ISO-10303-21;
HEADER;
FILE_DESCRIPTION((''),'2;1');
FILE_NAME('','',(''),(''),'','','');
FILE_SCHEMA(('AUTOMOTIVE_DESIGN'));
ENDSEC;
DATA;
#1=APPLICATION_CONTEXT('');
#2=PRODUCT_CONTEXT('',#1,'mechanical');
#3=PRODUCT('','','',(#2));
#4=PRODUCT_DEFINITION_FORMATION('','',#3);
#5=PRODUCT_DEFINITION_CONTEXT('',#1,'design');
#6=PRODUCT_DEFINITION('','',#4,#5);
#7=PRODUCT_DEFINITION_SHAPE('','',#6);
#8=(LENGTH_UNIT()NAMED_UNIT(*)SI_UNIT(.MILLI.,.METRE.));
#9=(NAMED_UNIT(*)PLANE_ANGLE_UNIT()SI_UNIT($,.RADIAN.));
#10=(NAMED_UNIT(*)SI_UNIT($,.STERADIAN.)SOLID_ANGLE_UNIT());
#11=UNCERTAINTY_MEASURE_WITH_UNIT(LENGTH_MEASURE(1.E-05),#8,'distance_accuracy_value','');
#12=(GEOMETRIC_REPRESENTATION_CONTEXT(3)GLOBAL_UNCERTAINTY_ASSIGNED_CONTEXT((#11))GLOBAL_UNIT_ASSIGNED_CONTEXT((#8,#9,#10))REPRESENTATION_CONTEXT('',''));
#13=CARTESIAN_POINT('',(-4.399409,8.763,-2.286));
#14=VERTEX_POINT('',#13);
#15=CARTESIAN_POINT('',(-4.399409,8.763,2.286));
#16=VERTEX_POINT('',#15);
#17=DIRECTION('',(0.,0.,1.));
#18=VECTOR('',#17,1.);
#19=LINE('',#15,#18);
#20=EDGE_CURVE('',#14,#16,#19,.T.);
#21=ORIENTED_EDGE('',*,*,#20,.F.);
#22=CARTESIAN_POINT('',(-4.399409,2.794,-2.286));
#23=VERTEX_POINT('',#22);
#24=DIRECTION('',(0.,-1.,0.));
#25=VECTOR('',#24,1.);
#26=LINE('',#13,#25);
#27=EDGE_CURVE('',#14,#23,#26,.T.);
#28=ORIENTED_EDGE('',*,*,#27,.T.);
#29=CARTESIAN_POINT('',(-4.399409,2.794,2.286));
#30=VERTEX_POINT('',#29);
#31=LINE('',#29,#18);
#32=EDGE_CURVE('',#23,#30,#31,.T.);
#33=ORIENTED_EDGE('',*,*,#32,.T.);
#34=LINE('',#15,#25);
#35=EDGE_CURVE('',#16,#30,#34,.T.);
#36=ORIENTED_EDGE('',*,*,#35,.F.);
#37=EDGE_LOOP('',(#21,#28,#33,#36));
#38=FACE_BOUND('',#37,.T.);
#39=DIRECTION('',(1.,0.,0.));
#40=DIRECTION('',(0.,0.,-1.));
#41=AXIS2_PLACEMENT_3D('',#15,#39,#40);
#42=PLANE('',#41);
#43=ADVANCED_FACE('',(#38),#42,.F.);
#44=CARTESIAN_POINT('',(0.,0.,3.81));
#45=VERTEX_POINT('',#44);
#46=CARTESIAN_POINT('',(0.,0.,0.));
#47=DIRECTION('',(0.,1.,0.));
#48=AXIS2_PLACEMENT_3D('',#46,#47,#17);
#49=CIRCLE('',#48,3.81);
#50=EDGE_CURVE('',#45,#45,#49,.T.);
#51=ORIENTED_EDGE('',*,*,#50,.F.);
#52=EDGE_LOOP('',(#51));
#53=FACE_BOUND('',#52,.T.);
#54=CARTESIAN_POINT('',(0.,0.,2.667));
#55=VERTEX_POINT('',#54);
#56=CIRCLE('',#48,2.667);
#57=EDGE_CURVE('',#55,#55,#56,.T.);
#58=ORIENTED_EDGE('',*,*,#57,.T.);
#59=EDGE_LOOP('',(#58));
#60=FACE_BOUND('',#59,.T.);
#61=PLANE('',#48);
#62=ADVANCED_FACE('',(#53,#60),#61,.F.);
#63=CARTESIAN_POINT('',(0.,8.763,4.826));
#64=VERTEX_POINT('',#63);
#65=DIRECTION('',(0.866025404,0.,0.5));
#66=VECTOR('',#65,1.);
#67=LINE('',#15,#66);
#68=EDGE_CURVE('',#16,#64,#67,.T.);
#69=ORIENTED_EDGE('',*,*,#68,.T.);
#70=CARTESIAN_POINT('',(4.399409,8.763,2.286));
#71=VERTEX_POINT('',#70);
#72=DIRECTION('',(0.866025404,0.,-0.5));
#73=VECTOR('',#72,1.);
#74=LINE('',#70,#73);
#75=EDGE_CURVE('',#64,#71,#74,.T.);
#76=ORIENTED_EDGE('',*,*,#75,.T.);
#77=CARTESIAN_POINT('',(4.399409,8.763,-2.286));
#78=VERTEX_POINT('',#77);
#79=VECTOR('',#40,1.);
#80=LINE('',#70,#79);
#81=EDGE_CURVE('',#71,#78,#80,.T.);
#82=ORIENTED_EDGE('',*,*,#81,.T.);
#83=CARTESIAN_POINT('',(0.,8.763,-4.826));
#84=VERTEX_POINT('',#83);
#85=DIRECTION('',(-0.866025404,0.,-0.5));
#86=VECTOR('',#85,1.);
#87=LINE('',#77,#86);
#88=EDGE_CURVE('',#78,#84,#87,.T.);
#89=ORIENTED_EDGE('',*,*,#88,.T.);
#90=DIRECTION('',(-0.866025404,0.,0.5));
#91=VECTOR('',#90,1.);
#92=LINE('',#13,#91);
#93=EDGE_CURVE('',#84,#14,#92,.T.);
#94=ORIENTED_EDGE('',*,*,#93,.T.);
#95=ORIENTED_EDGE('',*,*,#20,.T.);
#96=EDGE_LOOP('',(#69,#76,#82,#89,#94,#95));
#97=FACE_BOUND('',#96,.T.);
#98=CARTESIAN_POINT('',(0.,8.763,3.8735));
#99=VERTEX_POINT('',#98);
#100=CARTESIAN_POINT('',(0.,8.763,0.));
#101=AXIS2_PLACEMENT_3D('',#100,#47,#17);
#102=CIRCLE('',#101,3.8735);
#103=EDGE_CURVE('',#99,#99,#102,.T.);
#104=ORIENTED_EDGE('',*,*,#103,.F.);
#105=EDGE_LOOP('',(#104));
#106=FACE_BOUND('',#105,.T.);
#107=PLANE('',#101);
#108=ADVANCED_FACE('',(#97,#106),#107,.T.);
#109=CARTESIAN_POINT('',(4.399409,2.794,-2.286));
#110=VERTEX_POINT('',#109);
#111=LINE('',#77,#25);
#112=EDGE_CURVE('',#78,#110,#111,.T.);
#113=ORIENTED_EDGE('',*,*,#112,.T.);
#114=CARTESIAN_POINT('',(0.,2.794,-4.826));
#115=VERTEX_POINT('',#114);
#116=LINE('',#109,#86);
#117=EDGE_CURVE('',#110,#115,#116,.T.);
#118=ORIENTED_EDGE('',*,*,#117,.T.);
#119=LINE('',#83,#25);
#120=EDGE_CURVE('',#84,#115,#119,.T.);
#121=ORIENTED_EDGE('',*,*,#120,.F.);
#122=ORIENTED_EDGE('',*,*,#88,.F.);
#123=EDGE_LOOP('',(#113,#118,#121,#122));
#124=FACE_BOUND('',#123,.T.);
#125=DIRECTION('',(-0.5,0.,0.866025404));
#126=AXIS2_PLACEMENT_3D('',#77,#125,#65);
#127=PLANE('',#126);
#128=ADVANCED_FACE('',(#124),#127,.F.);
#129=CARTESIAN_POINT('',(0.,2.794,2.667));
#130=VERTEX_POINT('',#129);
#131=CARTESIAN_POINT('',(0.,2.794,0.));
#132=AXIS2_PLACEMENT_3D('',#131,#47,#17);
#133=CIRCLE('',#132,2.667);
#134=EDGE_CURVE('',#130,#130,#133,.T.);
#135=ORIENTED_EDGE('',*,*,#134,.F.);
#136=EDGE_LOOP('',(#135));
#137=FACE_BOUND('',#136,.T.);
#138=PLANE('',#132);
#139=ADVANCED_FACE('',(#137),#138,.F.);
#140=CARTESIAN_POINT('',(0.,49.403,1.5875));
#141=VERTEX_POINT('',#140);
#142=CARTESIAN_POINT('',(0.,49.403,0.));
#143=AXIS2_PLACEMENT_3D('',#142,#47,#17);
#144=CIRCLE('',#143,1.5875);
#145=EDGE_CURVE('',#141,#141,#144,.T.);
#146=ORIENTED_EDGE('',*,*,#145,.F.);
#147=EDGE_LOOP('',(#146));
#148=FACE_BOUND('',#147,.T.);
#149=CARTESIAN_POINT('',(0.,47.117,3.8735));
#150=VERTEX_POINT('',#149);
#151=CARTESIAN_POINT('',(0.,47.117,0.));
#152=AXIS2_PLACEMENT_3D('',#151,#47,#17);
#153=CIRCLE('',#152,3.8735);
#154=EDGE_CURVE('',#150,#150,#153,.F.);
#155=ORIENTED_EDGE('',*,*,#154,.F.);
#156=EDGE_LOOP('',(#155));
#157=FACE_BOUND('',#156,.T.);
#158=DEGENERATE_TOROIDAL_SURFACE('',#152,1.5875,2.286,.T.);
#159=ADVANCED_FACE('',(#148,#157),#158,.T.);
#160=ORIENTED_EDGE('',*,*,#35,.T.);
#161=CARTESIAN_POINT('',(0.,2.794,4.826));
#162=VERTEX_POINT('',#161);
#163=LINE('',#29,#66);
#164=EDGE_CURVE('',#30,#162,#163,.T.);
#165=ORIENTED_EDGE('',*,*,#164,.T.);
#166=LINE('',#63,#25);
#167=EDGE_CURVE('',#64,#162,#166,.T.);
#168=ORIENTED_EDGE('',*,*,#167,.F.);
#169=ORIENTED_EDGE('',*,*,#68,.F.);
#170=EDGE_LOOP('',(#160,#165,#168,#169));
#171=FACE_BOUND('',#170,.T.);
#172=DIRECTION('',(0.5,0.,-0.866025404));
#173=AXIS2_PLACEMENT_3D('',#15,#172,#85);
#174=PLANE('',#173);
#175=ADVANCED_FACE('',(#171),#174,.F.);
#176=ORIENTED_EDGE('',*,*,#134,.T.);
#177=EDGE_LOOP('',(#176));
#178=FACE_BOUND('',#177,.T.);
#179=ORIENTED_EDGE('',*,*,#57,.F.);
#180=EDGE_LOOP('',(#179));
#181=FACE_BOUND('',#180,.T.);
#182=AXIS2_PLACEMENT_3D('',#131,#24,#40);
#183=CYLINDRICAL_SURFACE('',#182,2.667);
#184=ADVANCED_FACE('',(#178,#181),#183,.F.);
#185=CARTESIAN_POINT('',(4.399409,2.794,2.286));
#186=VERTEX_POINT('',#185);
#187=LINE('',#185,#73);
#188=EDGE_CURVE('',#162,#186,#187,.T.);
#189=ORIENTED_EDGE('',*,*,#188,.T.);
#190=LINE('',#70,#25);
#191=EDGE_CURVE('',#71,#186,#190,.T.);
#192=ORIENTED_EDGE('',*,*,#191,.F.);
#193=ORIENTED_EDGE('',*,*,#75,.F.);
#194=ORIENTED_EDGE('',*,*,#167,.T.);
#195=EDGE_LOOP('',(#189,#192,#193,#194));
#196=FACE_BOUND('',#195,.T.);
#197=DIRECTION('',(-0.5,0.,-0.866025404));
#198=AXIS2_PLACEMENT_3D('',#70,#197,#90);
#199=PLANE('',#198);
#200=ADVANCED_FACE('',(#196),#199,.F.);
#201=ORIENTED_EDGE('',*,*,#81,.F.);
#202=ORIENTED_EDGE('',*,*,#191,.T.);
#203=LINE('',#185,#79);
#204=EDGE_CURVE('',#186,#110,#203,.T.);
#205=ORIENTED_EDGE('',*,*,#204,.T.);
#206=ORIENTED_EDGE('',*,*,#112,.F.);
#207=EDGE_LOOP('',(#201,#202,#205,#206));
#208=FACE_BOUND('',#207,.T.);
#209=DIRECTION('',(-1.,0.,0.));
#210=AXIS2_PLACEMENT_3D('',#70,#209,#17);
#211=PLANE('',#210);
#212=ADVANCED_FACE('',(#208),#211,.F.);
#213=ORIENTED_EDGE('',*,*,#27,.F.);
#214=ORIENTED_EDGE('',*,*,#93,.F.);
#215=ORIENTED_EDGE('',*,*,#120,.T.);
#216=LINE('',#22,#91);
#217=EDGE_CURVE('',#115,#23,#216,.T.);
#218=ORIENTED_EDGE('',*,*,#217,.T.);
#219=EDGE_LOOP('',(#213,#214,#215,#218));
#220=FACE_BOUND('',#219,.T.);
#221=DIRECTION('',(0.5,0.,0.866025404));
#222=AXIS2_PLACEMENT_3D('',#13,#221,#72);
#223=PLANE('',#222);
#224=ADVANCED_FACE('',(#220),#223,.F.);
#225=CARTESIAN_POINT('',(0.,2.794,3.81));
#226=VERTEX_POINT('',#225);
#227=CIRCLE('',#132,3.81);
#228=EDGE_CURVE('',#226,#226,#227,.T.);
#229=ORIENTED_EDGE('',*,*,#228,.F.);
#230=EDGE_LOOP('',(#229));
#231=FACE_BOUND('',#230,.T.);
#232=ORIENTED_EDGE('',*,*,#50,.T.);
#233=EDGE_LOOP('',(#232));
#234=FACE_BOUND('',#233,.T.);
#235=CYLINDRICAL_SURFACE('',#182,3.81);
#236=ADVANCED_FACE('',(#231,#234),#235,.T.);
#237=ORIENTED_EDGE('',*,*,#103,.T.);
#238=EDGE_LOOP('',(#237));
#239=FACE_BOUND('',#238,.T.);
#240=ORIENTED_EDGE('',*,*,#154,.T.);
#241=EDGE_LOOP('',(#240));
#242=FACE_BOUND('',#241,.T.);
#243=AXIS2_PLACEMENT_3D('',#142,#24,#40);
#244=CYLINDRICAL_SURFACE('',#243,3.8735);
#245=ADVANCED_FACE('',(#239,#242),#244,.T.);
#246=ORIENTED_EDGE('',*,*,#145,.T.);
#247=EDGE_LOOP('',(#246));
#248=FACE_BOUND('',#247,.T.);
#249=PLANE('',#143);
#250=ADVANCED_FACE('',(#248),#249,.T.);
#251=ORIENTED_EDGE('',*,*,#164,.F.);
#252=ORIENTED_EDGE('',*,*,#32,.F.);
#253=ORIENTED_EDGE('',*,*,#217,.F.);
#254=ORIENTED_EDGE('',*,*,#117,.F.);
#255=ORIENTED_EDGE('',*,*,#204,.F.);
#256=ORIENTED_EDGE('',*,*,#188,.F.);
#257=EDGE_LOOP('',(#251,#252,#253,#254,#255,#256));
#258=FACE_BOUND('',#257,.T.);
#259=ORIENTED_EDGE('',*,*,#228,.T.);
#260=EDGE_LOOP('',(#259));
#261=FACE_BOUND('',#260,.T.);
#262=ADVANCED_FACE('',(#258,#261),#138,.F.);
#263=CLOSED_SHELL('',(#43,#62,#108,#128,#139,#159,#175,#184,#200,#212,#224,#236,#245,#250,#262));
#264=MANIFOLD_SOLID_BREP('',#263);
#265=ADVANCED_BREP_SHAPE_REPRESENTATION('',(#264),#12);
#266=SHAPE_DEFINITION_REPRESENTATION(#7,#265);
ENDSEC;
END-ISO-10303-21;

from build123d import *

# Parameters (mm, degrees)
SKETCH1_R           = 3.81
SKETCH1_R_2         = 2.667
BOSS_EXTRUDE1_DEPTH = 2.794
BOSS_EXTRUDE2_DEPTH = 5.969
SKETCH4_R           = 3.8735
BOSS_EXTRUDE3_DEPTH = 40.64
FILLET1_R           = 2.286


with BuildPart() as part:
    # Sketch1 → Boss-Extrude1 (new body)
    with BuildSketch(Plane(origin=(0, 0, 0), x_dir=(1, 0, 0), z_dir=(0, 1, 0))):
        Circle(SKETCH1_R)
        Circle(SKETCH1_R_2, mode=Mode.SUBTRACT)
    extrude(amount=BOSS_EXTRUDE1_DEPTH)

    # Sketch3 → Boss-Extrude2 (add)
    with BuildSketch(Plane(origin=(0, 2.794, 0), x_dir=(1, 0, 0), z_dir=(0, 1, 0))):
        Polygon((-4.399409051, -2.286), (-4.399409051, 2.286), (0, 4.826), (4.399409051, 2.286), (4.399409051, -2.286), (0, -4.826), align=None)
    extrude(amount=BOSS_EXTRUDE2_DEPTH)

    # Sketch4 → Boss-Extrude3 (add)
    with BuildSketch(Plane(origin=(0, 8.763, 0), x_dir=(1, 0, 0), z_dir=(0, 1, 0))):
        Circle(SKETCH4_R)
    extrude(amount=BOSS_EXTRUDE3_DEPTH)

    # Fillet1
    fillet1_edges = [part.edges().sort_by_distance(p)[0] for p in [
        (-3.8735, 49.403, 0),
    ]]
    fillet(fillet1_edges, radius=FILLET1_R)


solid = part.part
